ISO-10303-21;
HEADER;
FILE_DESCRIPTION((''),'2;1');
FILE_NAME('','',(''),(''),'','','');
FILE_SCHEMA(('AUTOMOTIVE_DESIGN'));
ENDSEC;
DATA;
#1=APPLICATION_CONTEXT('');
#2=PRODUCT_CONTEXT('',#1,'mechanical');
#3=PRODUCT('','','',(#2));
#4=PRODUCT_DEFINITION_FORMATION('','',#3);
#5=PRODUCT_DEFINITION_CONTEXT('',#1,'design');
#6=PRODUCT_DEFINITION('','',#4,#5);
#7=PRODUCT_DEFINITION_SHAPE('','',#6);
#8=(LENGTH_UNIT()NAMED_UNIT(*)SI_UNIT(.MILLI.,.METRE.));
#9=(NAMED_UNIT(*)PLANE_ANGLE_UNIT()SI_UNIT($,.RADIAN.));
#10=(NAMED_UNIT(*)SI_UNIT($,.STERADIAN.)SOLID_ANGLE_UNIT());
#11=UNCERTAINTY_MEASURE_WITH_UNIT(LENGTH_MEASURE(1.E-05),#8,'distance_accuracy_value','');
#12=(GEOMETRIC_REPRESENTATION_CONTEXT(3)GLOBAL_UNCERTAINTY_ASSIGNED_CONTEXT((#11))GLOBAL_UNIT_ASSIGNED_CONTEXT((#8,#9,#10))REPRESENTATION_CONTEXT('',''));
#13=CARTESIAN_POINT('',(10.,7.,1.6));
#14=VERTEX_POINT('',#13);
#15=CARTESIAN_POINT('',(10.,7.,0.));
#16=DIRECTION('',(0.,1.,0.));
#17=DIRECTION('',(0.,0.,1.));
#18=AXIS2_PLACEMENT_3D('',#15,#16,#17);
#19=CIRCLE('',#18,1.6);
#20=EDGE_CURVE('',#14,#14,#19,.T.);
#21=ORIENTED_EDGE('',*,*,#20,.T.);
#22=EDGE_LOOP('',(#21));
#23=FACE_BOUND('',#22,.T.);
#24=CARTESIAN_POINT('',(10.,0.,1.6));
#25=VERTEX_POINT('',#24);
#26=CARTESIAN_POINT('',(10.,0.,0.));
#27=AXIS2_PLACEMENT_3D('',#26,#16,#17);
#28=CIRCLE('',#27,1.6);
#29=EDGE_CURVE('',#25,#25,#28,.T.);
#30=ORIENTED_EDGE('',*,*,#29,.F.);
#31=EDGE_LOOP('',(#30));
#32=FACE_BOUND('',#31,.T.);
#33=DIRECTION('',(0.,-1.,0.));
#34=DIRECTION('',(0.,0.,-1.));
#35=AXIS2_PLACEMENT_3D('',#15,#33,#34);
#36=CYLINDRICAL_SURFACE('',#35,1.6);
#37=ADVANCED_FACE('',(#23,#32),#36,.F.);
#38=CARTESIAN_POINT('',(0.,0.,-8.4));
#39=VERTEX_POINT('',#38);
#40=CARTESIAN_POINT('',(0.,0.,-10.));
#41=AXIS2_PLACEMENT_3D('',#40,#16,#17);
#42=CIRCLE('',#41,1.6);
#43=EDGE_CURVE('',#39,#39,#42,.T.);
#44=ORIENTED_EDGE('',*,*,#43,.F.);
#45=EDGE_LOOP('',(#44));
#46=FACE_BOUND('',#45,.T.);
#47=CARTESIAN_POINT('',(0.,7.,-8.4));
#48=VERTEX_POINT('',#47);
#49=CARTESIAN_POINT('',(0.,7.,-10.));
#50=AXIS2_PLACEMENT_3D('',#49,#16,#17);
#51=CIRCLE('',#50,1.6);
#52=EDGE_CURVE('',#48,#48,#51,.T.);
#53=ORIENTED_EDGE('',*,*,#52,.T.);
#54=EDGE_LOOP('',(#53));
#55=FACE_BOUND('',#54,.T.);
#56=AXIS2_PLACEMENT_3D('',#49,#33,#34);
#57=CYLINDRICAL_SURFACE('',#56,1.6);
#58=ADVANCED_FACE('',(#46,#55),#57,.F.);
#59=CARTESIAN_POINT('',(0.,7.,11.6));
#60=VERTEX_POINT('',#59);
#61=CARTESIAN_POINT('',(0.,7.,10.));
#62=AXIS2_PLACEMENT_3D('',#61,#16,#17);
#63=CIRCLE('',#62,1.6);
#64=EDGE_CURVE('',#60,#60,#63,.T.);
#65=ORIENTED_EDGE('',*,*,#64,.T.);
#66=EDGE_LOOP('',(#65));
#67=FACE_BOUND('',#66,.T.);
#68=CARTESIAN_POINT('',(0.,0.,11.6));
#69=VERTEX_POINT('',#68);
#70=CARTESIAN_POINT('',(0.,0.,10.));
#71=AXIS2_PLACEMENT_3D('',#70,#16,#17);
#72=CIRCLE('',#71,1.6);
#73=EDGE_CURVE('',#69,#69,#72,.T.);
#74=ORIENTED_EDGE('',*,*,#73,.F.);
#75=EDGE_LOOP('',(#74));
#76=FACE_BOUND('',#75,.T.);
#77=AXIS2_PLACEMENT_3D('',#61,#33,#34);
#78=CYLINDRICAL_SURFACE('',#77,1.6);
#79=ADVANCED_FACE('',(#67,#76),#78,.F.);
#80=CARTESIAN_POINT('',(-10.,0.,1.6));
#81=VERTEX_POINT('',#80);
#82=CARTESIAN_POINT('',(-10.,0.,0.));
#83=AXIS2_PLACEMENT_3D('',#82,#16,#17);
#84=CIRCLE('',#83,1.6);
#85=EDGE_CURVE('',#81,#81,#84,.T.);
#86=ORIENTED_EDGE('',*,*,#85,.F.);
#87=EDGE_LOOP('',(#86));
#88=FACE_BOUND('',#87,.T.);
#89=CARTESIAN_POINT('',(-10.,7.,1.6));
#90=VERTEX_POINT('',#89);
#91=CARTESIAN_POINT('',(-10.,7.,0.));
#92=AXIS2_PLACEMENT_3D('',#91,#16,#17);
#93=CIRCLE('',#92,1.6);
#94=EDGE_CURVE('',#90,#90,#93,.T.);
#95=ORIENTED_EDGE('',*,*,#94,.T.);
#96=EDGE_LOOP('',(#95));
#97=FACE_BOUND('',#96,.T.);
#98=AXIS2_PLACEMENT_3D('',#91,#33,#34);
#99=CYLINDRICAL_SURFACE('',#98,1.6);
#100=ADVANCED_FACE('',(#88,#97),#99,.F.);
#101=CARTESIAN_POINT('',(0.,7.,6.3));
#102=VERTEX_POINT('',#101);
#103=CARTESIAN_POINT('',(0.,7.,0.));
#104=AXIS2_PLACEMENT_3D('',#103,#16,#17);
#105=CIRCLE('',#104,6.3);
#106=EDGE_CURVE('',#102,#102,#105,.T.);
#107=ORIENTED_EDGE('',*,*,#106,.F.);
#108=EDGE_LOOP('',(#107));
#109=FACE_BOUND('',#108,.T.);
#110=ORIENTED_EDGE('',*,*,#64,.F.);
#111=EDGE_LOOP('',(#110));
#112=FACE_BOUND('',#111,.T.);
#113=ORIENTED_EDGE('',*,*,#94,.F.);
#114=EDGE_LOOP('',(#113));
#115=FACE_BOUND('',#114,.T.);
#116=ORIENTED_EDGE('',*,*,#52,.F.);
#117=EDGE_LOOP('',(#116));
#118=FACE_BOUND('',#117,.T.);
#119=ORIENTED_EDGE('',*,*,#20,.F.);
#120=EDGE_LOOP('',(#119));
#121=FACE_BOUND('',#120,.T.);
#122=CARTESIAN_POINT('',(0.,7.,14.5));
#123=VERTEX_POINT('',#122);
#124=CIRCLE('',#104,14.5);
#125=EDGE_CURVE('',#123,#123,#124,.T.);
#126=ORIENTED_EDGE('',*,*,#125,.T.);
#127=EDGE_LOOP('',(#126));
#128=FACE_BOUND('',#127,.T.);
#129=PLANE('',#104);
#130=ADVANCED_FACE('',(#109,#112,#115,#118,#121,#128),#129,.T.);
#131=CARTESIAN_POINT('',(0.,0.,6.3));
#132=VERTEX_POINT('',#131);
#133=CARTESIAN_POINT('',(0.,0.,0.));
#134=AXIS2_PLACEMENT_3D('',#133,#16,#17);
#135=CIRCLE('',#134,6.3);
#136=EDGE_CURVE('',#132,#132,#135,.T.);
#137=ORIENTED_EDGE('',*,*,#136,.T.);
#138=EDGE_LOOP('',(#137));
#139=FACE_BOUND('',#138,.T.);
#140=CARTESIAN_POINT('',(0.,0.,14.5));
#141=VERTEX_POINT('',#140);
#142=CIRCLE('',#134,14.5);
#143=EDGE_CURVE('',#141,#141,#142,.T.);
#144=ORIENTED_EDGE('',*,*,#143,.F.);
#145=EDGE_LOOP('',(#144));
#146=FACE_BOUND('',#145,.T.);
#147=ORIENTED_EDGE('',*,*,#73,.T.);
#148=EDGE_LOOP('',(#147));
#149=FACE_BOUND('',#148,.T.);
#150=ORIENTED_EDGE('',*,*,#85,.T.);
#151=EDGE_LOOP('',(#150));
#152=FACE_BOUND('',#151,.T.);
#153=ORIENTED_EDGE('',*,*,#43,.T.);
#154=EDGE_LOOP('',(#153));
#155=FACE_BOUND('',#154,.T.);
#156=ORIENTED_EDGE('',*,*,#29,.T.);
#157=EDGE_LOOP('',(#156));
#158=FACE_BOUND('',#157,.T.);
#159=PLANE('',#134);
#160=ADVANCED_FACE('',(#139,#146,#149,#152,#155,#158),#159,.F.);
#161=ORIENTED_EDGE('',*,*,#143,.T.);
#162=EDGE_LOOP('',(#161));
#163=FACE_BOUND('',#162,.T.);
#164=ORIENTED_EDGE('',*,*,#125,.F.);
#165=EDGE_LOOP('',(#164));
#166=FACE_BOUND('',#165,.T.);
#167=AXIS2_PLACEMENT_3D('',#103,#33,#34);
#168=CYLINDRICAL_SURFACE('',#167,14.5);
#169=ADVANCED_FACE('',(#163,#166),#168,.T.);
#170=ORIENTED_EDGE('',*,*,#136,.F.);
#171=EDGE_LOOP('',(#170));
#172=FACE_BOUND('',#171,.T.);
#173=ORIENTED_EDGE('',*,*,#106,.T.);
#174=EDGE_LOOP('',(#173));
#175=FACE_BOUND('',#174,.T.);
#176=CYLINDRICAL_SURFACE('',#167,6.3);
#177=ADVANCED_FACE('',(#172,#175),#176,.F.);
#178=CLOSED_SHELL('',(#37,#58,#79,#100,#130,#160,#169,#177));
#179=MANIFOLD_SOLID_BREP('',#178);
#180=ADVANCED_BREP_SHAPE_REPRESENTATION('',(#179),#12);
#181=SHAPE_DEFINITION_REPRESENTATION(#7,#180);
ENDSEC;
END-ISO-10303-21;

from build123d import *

# Parameters (mm, degrees)
SKETCH_1_R      = 14.5
SKETCH_1_R_2    = 6.3
SKETCH_1_R_3    = 1.6
EXTRUDE_1_DEPTH = 7


with BuildPart() as part:
    # 草图1 → 凸台-拉伸1 (new body)
    with BuildSketch(Plane(origin=(0, 0, 0), x_dir=(1, 0, 0), z_dir=(0, 1, 0))):
        with Locations(Location((0, 0, 0), (0, 0, 270))):
            Circle(SKETCH_1_R)
        with Locations(Location((0, 0, 0), (0, 0, 270))):
            Circle(SKETCH_1_R_2, mode=Mode.SUBTRACT)
        with Locations(Location((-10, 0, 0), (0, 0, 270))):
            Circle(SKETCH_1_R_3, mode=Mode.SUBTRACT)
        with Locations(Location((0, 10, 0), (0, 0, 270))):
            Circle(SKETCH_1_R_3, mode=Mode.SUBTRACT)
        with Locations(Location((10, 0, 0), (0, 0, 270))):
            Circle(SKETCH_1_R_3, mode=Mode.SUBTRACT)
        with Locations(Location((0, -10, 0), (0, 0, 270))):
            Circle(SKETCH_1_R_3, mode=Mode.SUBTRACT)
    extrude(amount=EXTRUDE_1_DEPTH)


solid = part.part
